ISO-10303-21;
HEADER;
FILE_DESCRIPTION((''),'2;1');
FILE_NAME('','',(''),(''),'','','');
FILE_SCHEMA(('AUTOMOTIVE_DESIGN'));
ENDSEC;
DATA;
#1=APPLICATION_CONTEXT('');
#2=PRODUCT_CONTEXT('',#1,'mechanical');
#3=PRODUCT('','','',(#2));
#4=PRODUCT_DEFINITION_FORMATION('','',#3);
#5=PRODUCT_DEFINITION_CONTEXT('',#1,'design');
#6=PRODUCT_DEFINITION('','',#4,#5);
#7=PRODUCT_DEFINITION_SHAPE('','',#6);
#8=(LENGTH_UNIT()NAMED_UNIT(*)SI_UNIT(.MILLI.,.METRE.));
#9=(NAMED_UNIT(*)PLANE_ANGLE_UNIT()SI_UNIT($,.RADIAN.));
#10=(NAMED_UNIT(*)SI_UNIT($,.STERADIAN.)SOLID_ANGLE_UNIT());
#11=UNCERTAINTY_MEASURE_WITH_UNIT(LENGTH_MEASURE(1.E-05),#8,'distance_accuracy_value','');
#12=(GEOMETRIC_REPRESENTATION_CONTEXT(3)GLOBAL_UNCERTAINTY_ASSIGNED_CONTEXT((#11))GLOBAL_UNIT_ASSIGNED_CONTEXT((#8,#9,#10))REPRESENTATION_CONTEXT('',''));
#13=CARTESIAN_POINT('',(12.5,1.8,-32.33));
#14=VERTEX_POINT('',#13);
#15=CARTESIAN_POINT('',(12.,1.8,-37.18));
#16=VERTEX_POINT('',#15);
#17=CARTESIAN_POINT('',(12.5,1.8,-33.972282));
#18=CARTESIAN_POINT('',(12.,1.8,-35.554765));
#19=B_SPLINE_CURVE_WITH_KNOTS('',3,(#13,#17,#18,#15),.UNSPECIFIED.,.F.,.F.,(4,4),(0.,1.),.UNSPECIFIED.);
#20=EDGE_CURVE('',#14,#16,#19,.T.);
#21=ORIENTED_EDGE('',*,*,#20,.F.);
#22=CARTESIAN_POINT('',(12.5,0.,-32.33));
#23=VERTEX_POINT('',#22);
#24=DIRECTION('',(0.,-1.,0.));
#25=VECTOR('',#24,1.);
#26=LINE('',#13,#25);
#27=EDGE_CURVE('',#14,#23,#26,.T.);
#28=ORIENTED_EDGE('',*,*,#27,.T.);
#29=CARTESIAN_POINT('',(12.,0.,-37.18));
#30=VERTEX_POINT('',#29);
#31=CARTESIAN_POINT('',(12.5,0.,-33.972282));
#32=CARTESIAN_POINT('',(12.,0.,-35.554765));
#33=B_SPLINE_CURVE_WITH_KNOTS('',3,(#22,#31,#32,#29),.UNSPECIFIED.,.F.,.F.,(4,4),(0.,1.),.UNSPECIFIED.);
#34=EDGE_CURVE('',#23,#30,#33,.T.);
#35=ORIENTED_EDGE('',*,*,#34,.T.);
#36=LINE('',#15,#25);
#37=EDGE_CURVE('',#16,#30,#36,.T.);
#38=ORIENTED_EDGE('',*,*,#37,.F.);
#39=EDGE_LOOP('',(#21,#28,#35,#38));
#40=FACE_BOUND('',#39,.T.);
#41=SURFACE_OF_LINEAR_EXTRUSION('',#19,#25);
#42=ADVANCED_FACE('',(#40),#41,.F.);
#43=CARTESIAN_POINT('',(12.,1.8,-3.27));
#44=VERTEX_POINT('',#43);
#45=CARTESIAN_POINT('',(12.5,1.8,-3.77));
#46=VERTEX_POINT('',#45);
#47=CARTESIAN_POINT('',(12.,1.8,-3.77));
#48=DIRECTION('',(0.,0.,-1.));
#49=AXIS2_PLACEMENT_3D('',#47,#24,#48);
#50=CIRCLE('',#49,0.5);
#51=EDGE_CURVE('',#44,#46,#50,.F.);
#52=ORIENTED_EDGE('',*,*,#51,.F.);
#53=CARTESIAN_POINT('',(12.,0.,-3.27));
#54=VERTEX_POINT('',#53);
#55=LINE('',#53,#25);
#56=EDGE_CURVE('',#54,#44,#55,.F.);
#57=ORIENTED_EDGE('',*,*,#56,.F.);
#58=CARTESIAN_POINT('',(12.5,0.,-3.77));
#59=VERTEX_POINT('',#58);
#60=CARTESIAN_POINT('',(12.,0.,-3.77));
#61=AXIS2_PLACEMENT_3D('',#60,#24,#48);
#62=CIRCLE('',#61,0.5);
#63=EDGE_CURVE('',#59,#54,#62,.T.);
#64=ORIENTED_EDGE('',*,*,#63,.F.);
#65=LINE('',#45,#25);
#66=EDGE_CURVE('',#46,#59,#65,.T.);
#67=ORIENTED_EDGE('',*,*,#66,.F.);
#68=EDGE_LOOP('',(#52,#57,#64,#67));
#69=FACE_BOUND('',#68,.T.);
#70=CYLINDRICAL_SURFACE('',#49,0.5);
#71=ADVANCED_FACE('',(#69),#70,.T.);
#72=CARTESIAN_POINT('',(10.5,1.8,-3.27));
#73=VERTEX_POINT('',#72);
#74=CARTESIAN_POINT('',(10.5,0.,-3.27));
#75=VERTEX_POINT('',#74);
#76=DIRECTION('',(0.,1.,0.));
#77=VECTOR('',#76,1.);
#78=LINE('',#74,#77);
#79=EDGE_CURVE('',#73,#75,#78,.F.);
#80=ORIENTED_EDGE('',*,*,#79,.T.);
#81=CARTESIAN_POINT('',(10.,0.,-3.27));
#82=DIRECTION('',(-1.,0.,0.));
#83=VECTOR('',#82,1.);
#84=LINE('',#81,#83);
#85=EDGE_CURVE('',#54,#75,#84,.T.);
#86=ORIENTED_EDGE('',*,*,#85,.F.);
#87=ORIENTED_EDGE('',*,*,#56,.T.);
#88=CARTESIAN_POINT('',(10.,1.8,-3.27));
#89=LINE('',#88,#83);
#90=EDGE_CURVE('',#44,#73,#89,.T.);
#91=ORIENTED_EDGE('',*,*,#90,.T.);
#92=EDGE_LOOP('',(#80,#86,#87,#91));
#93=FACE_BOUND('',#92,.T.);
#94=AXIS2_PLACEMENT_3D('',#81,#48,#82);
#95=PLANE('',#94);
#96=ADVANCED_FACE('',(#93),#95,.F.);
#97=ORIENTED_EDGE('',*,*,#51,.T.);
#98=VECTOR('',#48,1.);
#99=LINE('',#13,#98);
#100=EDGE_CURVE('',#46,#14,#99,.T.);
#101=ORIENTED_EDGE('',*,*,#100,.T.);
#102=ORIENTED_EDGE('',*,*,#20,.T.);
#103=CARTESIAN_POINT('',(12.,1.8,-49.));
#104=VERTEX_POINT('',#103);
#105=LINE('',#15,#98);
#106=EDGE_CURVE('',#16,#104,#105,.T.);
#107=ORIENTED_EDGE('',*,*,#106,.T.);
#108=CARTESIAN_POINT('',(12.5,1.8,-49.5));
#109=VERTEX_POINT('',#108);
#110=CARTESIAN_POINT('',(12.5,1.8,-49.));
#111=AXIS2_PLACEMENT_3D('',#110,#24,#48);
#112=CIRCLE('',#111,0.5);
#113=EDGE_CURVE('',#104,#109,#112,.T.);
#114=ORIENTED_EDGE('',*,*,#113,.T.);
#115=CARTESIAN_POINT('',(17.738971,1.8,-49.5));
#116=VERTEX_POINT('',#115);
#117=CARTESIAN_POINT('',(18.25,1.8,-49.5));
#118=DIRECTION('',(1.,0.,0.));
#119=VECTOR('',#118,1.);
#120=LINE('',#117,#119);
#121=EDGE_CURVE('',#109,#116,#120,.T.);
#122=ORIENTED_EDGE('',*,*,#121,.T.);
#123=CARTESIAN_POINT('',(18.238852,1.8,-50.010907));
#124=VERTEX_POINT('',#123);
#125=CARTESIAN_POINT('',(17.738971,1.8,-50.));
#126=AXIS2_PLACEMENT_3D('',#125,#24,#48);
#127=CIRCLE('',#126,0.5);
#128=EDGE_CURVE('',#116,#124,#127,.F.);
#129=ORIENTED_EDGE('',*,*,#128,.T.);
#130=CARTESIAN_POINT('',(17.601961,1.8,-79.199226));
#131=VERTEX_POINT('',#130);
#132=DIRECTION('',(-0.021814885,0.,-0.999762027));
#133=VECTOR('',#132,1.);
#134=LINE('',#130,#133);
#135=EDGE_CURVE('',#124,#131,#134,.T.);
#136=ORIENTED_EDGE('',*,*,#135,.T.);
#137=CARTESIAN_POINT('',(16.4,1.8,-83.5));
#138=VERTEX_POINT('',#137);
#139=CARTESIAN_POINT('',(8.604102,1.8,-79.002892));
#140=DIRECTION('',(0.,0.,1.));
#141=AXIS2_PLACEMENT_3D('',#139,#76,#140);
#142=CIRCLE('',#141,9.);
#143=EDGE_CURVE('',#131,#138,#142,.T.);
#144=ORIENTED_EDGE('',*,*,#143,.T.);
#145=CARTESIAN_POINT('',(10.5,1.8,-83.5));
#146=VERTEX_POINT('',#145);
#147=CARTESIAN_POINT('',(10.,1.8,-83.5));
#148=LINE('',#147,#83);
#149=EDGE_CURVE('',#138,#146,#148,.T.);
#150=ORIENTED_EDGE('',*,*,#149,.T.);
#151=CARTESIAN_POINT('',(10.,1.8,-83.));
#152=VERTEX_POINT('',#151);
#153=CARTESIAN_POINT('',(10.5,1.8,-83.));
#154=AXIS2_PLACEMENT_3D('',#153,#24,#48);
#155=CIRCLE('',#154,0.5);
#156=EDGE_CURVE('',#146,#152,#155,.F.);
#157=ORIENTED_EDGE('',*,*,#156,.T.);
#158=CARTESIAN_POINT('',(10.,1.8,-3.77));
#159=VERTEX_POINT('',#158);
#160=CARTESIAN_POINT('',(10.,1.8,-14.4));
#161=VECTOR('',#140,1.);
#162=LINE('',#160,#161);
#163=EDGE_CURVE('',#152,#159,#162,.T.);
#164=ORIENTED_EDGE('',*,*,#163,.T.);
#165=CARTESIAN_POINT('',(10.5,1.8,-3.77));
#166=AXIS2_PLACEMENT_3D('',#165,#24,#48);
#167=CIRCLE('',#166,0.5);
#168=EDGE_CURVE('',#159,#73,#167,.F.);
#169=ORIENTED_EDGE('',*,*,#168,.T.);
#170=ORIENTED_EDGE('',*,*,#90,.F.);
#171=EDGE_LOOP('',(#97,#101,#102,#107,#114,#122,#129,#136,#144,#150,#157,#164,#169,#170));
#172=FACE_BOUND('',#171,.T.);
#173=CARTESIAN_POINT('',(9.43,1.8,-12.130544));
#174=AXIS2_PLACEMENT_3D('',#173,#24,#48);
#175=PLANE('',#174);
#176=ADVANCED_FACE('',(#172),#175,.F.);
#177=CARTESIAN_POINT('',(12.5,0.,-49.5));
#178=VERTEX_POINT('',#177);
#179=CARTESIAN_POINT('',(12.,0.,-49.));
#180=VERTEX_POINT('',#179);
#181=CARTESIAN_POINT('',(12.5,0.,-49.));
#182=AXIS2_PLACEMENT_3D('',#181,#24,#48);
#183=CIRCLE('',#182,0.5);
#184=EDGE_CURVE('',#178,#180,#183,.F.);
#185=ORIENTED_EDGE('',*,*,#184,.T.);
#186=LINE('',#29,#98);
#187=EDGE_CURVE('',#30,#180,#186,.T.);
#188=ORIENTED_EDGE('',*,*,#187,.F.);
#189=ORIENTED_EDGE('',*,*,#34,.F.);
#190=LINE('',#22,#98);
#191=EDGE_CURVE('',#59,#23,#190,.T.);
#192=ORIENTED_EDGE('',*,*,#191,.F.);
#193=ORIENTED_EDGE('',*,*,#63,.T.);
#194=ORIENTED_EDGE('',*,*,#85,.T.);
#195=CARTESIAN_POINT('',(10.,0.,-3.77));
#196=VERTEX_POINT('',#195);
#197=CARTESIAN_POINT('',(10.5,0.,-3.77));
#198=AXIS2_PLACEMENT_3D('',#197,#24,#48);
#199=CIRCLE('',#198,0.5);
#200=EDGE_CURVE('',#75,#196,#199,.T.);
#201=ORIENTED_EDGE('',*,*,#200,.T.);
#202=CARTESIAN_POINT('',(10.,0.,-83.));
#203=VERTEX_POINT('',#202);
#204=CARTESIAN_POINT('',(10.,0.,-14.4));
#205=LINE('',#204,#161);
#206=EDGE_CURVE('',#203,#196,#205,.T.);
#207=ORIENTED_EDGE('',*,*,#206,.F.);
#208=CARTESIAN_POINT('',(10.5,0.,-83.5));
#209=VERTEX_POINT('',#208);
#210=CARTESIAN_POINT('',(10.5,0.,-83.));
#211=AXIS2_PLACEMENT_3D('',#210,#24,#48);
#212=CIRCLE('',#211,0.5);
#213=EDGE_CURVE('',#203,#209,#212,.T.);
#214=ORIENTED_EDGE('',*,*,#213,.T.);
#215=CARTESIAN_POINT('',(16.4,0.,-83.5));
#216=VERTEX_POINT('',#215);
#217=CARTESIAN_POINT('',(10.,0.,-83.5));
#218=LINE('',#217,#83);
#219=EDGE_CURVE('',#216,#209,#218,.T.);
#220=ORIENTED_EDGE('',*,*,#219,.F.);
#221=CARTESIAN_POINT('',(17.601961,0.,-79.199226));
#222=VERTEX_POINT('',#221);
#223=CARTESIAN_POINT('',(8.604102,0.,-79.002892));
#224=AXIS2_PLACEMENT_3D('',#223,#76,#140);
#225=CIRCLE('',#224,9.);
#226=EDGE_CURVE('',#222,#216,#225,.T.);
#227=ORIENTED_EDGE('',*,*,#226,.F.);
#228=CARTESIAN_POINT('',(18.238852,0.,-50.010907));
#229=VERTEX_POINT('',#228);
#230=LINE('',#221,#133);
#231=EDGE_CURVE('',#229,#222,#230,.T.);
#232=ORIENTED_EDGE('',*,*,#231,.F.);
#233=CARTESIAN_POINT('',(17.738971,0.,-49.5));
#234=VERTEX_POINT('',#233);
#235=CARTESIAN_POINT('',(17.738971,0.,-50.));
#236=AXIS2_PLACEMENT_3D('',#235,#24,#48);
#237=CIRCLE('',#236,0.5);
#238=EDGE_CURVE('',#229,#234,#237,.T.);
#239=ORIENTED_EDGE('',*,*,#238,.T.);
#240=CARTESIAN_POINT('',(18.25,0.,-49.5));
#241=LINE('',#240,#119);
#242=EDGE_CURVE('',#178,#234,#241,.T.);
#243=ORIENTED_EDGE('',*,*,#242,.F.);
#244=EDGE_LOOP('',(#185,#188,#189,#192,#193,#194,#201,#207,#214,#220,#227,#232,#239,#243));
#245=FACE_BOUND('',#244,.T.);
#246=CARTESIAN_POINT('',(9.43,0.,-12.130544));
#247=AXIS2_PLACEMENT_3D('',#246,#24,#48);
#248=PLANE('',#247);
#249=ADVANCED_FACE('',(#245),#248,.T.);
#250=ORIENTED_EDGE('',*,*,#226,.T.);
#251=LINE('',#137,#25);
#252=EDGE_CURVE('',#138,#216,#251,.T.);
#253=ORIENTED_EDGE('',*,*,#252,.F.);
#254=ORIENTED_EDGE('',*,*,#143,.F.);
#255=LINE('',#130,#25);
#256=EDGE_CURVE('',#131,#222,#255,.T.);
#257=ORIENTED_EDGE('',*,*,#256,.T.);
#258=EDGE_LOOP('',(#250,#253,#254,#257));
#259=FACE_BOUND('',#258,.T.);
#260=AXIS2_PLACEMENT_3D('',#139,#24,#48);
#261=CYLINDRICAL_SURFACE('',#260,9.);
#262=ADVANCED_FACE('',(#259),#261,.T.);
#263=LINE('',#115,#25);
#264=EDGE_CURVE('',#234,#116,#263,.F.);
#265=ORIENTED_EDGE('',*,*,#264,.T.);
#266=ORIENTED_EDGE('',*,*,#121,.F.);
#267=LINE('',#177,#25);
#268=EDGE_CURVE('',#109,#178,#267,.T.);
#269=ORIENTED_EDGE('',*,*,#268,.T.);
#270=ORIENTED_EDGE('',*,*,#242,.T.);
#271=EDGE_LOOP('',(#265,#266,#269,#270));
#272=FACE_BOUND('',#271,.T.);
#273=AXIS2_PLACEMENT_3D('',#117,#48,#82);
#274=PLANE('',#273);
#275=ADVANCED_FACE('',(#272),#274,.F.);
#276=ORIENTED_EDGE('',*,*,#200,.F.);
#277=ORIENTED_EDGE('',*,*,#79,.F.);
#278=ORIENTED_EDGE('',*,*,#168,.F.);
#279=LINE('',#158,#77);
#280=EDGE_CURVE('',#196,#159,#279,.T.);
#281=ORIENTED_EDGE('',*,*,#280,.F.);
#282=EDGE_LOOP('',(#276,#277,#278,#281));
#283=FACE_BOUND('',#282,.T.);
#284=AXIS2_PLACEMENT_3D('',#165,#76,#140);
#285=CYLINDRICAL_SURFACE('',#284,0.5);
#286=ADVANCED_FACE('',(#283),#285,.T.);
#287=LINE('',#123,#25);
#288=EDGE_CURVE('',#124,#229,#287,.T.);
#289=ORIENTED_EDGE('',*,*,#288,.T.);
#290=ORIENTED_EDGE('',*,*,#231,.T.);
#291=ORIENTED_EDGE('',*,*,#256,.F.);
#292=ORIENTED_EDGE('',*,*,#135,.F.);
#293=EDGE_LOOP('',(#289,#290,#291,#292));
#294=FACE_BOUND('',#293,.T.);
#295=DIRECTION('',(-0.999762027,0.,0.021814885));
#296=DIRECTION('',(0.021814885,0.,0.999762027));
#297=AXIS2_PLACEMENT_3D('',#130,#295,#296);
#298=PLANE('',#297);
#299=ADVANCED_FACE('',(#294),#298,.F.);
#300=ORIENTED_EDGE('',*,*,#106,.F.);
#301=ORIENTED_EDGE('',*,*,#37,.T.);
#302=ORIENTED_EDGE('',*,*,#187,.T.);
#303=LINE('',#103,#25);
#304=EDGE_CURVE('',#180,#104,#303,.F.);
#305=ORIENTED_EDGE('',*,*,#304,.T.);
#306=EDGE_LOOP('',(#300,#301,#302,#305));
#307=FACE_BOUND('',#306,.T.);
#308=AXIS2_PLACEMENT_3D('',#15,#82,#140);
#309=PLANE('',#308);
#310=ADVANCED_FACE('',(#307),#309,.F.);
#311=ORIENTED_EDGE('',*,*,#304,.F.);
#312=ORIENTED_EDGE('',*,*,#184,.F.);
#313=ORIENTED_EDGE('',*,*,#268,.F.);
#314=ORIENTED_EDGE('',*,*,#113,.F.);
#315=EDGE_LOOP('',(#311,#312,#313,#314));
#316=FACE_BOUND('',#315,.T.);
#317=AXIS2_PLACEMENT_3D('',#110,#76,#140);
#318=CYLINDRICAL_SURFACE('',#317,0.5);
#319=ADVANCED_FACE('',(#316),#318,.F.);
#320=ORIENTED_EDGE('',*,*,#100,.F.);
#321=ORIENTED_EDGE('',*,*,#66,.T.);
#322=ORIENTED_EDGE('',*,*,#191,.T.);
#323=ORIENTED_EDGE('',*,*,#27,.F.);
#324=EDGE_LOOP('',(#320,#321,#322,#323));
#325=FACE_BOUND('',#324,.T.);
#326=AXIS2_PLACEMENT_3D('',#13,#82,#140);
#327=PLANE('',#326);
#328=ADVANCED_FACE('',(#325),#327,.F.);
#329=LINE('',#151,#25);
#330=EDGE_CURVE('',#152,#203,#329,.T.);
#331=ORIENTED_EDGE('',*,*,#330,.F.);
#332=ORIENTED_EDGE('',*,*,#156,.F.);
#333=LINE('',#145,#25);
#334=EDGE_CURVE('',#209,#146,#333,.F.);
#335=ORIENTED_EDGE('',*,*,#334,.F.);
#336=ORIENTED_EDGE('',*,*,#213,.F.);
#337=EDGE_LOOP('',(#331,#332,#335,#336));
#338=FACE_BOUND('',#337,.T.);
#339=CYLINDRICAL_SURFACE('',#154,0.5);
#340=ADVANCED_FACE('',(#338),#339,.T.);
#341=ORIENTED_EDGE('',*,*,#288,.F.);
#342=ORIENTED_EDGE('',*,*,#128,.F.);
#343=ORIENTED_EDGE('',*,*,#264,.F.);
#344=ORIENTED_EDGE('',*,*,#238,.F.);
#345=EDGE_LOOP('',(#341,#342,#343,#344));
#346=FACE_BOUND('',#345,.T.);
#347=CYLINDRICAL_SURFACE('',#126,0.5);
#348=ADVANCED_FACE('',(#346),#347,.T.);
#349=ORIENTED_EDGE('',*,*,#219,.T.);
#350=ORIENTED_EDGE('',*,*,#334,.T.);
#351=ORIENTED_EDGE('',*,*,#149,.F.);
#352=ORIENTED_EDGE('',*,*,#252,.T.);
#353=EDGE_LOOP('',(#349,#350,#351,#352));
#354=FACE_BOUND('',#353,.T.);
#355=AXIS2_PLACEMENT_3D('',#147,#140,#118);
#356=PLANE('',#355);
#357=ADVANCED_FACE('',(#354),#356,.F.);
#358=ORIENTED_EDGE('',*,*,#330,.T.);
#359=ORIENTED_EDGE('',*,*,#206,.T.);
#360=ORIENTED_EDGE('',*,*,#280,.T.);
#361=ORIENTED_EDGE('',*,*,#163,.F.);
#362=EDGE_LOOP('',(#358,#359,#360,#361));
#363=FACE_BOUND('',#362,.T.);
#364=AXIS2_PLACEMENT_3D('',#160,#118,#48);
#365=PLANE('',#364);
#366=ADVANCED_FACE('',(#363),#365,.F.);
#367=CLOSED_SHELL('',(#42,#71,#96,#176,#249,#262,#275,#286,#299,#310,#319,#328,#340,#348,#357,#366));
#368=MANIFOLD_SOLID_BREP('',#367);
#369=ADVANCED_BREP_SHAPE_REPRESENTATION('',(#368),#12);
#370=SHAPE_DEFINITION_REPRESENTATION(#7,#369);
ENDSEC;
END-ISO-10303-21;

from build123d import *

# Parameters (mm, degrees)
BOSS_EXTRUDE1_DEPTH = 1.8
FILLET2_R           = 0.5
SKETCH3_R           = 2.5
SKETCH3_R_2         = 1.75
BOSS_EXTRUDE2_DEPTH = 1.8
FILLET3_R           = 1
CUT_EXTRUDE1_DEPTH  = 2.8000001
FILLET4_R           = 0.5


with BuildPart() as part:
    # Sketch1 → Boss-Extrude1 (new body)
    with BuildSketch(Plane(origin=(0, 0, 0), x_dir=(1, 0, 0), z_dir=(0, 1, 0))):
        with BuildLine():
            Line((0, 4.5), (0, 6.5))
            Line((0, 6.5), (6.1, 6.5))
            Line((6.1, 6.5), (6.1, 10.5))
            Line((6.1, 10.5), (10, 14.4))
            Line((10, 14.4), (10, 83.5))
            Line((10, 83.5), (16.4, 83.5))
            ThreePointArc((16.4, 83.5), (17.2719581, 81.425344658), (17.601960582, 79.199226044))
            Line((17.601960582, 79.199226044), (18.25, 49.5))
            Line((18.25, 49.5), (12, 49.5))
            Line((12, 49.5), (12, 37.18))
            add(Edge.make_bspline(
                [(12.5, 32.33), (12.5, 33.972282338), (12, 35.554764974), (12, 37.18)],
                knots=[0, 0, 0, 0, 1, 1, 1, 1], degree=3))
            Line((12.5, 32.33), (12.5, 3.07))
            ThreePointArc((12.5, 3.07), (11.600817818, 0.899182182), (9.43, 0))
            ThreePointArc((9.43, 0), (4.205660329, 1.182650422), (0, 4.5))
        make_face()
    extrude(amount=BOSS_EXTRUDE1_DEPTH)

    # Fillet2
    fillet2_edges = [part.edges().sort_by_distance(p)[0] for p in [
        (0, 0.9, -6.5),
        (6.1, 0.9, -6.5),
        (6.1, 0.9, -10.5),
        (10, 0.9, -14.4),
        (10, 0.9, -83.5),
        (18.25, 0.9, -49.5),
        (12, 0.9, -49.5),
    ]]
    fillet(fillet2_edges, radius=FILLET2_R)

    # Sketch3 → Boss-Extrude2 (add)
    with BuildSketch(Plane.XZ):
        with Locations((9.5, 2.499832541)):
            Circle(SKETCH3_R)
        with Locations((9.5, 2.499832541)):
            Circle(SKETCH3_R_2, mode=Mode.SUBTRACT)
        with BuildLine():
            ThreePointArc((11.824045318, 1.578521867), (9.031018815, 0.044215175), (7, 2.499832541))
            Line((7, 2.499832541), (7, -0.245881701))
            ThreePointArc((7, -0.245881701), (8.2087959, -0.061626967), (9.43, 0))
            ThreePointArc((9.43, 0), (10.256451345, -0.113333266), (11.021883517, -0.444965358))
            Line((11.021883517, -0.444965358), (11.824045318, 1.578521867))
        make_face()
        with BuildLine():
            ThreePointArc((9.43, 0), (8.2087959, -0.061626967), (7, -0.245881701))
            Line((7, -0.245881701), (7, -0.500167459))
            Line((7, -0.500167459), (11, -0.500167459))
            Line((11, -0.500167459), (11.021883517, -0.444965358))
            ThreePointArc((11.021883517, -0.444965358), (10.256451345, -0.113333266), (9.43, 0))
        make_face()
    extrude(amount=-BOSS_EXTRUDE2_DEPTH)

    # Fillet3
    fillet3_edges = [part.edges().sort_by_distance(p)[0] for p in [
        (7, 0.9, -0.245881701),
        (11.021883517, 0.9, -0.444965358),
    ]]
    fillet(fillet3_edges, radius=FILLET3_R)

    # Sketch4 → Cut-Extrude1 (cut, through all)
    with BuildSketch(Plane(origin=(0, 1.8, 0), x_dir=(1, 0, 0), z_dir=(0, 1, 0))):
        Polygon((10, 18.881660772), (10, 3.27), (13.61834734, 3.27), (13.61834734, -6.687183429), (-3.427548793, -6.687183429), (-3.427548793, 18.881660772), align=None)
    extrude(amount=-CUT_EXTRUDE1_DEPTH, mode=Mode.SUBTRACT)

    # Fillet4
    fillet4_edges = [part.edges().sort_by_distance(p)[0] for p in [
        (12.5, 0.9, -3.27),
        (10, 0.9, -3.27),
    ]]
    fillet(fillet4_edges, radius=FILLET4_R)


solid = part.part
